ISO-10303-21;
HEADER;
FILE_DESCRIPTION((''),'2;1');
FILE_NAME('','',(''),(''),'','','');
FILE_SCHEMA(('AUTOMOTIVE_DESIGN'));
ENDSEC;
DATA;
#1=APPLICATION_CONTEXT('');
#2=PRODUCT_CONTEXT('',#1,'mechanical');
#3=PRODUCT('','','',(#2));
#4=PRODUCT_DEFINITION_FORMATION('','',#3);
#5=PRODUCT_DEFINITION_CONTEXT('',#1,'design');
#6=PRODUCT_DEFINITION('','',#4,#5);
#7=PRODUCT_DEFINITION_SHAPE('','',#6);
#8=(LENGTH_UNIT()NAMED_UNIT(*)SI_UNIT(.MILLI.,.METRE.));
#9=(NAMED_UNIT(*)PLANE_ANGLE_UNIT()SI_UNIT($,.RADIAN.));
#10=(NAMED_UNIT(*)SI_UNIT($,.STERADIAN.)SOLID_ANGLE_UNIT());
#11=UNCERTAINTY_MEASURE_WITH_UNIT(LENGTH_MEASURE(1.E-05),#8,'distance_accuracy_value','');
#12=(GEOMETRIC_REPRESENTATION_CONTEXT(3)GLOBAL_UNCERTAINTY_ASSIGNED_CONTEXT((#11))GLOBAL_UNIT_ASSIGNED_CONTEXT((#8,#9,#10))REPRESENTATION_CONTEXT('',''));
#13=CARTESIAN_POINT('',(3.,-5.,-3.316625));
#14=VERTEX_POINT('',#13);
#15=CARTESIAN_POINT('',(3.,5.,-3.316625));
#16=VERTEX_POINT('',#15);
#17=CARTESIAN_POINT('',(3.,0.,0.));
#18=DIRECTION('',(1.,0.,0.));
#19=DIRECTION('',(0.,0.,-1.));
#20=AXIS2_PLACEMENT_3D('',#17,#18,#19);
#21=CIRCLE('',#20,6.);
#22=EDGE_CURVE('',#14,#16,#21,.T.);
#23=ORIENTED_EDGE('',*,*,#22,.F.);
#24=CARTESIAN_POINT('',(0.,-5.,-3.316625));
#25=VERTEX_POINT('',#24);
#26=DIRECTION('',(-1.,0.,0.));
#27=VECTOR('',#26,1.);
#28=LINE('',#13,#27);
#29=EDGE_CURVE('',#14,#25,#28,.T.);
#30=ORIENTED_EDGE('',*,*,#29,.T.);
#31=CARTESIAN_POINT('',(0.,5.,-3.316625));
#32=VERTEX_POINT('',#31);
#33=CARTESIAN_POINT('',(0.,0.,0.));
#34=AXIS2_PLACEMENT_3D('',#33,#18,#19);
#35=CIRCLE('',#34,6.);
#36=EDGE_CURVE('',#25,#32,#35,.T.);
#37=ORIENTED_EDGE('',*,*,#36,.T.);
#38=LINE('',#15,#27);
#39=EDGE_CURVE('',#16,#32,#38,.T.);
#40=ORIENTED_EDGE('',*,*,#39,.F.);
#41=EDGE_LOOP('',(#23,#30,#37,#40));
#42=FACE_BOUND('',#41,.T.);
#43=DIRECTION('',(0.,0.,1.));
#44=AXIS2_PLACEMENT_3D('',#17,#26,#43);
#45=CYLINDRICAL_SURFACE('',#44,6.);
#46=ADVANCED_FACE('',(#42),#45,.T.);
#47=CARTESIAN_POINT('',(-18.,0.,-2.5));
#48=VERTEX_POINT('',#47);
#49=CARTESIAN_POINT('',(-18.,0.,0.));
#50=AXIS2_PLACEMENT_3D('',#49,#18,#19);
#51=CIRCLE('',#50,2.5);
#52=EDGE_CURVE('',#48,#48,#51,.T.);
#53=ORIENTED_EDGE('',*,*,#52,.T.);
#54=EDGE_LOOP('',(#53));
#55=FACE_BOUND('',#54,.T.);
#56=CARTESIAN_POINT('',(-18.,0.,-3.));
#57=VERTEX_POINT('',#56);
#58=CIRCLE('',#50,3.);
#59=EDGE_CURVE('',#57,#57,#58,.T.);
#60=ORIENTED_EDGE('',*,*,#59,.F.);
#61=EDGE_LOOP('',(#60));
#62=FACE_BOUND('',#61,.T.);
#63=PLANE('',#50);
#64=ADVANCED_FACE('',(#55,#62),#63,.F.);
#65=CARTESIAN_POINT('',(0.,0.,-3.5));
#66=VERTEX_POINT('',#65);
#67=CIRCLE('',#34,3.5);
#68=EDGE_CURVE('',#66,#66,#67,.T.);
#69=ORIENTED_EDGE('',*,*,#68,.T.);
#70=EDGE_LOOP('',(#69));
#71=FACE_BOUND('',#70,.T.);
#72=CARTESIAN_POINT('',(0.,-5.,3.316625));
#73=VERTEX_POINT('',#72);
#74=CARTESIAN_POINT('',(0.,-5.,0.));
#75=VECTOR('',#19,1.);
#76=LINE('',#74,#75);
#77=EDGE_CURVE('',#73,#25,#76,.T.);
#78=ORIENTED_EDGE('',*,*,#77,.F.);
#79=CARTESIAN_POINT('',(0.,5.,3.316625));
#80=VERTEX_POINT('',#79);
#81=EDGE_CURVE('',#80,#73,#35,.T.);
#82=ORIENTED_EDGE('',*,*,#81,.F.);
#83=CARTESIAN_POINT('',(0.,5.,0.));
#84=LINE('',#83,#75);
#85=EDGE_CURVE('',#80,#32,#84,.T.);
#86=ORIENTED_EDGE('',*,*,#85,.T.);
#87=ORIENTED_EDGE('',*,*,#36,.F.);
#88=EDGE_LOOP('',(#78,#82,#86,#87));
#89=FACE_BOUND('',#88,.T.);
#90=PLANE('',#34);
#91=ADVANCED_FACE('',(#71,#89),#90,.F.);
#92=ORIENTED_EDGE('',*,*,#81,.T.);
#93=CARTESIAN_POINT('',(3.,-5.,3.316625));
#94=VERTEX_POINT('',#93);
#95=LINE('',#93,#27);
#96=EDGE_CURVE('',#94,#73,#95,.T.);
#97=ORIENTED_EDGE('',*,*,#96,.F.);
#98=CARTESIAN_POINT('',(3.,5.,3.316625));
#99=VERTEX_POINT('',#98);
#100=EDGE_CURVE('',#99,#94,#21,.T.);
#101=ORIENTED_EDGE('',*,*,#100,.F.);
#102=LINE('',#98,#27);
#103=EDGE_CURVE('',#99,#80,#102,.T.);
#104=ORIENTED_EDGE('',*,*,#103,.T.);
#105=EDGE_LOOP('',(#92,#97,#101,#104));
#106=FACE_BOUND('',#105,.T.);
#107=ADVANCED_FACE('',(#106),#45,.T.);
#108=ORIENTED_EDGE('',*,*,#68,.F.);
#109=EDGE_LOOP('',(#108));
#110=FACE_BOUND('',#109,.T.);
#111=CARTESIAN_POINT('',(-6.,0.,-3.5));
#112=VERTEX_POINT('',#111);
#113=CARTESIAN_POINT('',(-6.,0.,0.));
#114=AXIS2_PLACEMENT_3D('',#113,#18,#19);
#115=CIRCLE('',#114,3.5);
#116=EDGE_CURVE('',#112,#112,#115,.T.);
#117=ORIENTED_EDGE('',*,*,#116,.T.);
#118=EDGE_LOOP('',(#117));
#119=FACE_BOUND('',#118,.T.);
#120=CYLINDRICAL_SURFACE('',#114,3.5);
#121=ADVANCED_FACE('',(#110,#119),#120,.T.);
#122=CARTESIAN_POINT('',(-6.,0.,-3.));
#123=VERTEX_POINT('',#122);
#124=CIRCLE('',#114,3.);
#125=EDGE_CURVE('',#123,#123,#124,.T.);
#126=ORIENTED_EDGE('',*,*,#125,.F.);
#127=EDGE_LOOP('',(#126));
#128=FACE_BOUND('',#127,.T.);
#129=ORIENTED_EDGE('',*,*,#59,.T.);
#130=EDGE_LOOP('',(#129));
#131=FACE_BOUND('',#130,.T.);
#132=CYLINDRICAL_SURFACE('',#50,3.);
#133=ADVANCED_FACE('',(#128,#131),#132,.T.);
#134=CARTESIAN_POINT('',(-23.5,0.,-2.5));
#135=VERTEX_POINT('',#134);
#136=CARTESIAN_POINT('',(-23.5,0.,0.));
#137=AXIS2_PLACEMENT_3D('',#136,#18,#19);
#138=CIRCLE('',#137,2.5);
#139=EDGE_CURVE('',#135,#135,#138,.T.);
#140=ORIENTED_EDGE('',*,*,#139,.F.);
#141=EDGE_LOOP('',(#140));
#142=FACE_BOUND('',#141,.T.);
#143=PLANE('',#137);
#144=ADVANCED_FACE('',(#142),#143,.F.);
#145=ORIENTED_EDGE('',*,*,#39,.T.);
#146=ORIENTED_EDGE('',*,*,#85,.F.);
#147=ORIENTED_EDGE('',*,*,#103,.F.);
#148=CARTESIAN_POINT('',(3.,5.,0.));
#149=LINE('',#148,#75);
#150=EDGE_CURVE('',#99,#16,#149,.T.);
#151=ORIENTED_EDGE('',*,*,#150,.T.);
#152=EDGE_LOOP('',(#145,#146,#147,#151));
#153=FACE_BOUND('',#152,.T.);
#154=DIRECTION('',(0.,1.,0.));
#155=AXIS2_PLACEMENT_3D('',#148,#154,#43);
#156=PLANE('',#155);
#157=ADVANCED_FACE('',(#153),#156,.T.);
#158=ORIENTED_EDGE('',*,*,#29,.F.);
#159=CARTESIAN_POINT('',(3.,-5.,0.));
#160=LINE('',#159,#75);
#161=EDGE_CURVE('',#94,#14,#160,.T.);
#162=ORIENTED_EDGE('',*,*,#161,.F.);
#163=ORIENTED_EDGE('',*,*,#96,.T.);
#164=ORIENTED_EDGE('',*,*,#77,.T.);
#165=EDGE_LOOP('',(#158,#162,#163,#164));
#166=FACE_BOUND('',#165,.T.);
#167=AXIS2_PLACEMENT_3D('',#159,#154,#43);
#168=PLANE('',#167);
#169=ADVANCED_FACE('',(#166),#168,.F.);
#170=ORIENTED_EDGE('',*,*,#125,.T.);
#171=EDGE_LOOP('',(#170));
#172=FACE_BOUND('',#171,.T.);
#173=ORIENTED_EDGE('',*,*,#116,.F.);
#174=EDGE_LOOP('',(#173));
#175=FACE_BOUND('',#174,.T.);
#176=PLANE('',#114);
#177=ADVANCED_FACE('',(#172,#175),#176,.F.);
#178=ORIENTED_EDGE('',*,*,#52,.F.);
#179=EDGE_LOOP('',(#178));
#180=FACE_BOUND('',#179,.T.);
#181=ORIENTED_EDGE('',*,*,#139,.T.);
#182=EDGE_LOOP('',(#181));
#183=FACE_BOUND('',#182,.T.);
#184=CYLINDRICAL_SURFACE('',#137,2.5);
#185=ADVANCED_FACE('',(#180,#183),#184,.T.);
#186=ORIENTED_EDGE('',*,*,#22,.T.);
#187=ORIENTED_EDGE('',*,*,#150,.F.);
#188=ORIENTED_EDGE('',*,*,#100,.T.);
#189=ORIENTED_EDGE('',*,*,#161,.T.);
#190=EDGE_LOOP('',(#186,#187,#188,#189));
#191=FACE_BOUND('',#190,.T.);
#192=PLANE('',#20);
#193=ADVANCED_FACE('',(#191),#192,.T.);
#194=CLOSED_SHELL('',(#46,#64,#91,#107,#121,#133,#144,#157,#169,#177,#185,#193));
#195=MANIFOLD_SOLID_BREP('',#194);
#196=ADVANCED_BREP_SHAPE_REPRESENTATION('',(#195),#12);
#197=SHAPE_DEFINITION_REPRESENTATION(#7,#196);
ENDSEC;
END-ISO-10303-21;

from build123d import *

# Parameters (mm, degrees)
BOSS_EXTRUDE1_DEPTH = 3
BOSS_EXTRUDE2_DEPTH = 18
BOSS_EXTRUDE3_DEPTH = 23.5
BOSS_EXTRUDE4_DEPTH = 6


with BuildPart() as part:
    # Sketch2 → Boss-Extrude1 (new body)
    with BuildSketch(Plane(origin=(0, 0, 0), x_dir=(0, 0, -1), z_dir=(1, 0, 0))):
        with BuildLine():
            Line((3.31662479, 5), (-3.31662479, 5))
            ThreePointArc((-3.31662479, 5), (-5.286764074, 2.837274331), (-6, 0))
            ThreePointArc((-6, 0), (-5.286764074, -2.837274331), (-3.31662479, -5))
            Line((-3.31662479, -5), (3.31662479, -5))
            ThreePointArc((3.31662479, -5), (6, 0), (3.31662479, 5))
        make_face()
    extrude(amount=BOSS_EXTRUDE1_DEPTH)

    # Sketch2<4> → Boss-Extrude2 (add)
    with BuildSketch(Plane(origin=(0, 0, 0), x_dir=(0, 0, -1), z_dir=(1, 0, 0))):
        with BuildLine():
            ThreePointArc((3, 0), (0, 3), (-3, 0))
            ThreePointArc((-3, 0), (0, -3), (3, 0))
        make_face()
        with BuildLine():
            ThreePointArc((2.5, 0), (0, -2.5), (-2.5, 0))
            ThreePointArc((-2.5, 0), (0, 2.5), (2.5, 0))
        make_face(mode=Mode.SUBTRACT)
    extrude(amount=-BOSS_EXTRUDE2_DEPTH)

    # Sketch2<5> → Boss-Extrude3 (add)
    with BuildSketch(Plane(origin=(0, 0, 0), x_dir=(0, 0, -1), z_dir=(1, 0, 0))):
        with BuildLine():
            ThreePointArc((2.5, 0), (0, 2.5), (-2.5, 0))
            ThreePointArc((-2.5, 0), (0, -2.5), (2.5, 0))
        make_face()
    extrude(amount=-BOSS_EXTRUDE3_DEPTH)

    # Sketch2<6> → Boss-Extrude4 (add)
    with BuildSketch(Plane(origin=(0, 0, 0), x_dir=(0, 0, -1), z_dir=(1, 0, 0))):
        with BuildLine():
            ThreePointArc((3.5, 0), (0, 3.5), (-3.5, 0))
            ThreePointArc((-3.5, 0), (0, -3.5), (3.5, 0))
        make_face()
        with BuildLine():
            ThreePointArc((3, 0), (0, -3), (-3, 0))
            ThreePointArc((-3, 0), (0, 3), (3, 0))
        make_face(mode=Mode.SUBTRACT)
    extrude(amount=-BOSS_EXTRUDE4_DEPTH)


solid = part.part
